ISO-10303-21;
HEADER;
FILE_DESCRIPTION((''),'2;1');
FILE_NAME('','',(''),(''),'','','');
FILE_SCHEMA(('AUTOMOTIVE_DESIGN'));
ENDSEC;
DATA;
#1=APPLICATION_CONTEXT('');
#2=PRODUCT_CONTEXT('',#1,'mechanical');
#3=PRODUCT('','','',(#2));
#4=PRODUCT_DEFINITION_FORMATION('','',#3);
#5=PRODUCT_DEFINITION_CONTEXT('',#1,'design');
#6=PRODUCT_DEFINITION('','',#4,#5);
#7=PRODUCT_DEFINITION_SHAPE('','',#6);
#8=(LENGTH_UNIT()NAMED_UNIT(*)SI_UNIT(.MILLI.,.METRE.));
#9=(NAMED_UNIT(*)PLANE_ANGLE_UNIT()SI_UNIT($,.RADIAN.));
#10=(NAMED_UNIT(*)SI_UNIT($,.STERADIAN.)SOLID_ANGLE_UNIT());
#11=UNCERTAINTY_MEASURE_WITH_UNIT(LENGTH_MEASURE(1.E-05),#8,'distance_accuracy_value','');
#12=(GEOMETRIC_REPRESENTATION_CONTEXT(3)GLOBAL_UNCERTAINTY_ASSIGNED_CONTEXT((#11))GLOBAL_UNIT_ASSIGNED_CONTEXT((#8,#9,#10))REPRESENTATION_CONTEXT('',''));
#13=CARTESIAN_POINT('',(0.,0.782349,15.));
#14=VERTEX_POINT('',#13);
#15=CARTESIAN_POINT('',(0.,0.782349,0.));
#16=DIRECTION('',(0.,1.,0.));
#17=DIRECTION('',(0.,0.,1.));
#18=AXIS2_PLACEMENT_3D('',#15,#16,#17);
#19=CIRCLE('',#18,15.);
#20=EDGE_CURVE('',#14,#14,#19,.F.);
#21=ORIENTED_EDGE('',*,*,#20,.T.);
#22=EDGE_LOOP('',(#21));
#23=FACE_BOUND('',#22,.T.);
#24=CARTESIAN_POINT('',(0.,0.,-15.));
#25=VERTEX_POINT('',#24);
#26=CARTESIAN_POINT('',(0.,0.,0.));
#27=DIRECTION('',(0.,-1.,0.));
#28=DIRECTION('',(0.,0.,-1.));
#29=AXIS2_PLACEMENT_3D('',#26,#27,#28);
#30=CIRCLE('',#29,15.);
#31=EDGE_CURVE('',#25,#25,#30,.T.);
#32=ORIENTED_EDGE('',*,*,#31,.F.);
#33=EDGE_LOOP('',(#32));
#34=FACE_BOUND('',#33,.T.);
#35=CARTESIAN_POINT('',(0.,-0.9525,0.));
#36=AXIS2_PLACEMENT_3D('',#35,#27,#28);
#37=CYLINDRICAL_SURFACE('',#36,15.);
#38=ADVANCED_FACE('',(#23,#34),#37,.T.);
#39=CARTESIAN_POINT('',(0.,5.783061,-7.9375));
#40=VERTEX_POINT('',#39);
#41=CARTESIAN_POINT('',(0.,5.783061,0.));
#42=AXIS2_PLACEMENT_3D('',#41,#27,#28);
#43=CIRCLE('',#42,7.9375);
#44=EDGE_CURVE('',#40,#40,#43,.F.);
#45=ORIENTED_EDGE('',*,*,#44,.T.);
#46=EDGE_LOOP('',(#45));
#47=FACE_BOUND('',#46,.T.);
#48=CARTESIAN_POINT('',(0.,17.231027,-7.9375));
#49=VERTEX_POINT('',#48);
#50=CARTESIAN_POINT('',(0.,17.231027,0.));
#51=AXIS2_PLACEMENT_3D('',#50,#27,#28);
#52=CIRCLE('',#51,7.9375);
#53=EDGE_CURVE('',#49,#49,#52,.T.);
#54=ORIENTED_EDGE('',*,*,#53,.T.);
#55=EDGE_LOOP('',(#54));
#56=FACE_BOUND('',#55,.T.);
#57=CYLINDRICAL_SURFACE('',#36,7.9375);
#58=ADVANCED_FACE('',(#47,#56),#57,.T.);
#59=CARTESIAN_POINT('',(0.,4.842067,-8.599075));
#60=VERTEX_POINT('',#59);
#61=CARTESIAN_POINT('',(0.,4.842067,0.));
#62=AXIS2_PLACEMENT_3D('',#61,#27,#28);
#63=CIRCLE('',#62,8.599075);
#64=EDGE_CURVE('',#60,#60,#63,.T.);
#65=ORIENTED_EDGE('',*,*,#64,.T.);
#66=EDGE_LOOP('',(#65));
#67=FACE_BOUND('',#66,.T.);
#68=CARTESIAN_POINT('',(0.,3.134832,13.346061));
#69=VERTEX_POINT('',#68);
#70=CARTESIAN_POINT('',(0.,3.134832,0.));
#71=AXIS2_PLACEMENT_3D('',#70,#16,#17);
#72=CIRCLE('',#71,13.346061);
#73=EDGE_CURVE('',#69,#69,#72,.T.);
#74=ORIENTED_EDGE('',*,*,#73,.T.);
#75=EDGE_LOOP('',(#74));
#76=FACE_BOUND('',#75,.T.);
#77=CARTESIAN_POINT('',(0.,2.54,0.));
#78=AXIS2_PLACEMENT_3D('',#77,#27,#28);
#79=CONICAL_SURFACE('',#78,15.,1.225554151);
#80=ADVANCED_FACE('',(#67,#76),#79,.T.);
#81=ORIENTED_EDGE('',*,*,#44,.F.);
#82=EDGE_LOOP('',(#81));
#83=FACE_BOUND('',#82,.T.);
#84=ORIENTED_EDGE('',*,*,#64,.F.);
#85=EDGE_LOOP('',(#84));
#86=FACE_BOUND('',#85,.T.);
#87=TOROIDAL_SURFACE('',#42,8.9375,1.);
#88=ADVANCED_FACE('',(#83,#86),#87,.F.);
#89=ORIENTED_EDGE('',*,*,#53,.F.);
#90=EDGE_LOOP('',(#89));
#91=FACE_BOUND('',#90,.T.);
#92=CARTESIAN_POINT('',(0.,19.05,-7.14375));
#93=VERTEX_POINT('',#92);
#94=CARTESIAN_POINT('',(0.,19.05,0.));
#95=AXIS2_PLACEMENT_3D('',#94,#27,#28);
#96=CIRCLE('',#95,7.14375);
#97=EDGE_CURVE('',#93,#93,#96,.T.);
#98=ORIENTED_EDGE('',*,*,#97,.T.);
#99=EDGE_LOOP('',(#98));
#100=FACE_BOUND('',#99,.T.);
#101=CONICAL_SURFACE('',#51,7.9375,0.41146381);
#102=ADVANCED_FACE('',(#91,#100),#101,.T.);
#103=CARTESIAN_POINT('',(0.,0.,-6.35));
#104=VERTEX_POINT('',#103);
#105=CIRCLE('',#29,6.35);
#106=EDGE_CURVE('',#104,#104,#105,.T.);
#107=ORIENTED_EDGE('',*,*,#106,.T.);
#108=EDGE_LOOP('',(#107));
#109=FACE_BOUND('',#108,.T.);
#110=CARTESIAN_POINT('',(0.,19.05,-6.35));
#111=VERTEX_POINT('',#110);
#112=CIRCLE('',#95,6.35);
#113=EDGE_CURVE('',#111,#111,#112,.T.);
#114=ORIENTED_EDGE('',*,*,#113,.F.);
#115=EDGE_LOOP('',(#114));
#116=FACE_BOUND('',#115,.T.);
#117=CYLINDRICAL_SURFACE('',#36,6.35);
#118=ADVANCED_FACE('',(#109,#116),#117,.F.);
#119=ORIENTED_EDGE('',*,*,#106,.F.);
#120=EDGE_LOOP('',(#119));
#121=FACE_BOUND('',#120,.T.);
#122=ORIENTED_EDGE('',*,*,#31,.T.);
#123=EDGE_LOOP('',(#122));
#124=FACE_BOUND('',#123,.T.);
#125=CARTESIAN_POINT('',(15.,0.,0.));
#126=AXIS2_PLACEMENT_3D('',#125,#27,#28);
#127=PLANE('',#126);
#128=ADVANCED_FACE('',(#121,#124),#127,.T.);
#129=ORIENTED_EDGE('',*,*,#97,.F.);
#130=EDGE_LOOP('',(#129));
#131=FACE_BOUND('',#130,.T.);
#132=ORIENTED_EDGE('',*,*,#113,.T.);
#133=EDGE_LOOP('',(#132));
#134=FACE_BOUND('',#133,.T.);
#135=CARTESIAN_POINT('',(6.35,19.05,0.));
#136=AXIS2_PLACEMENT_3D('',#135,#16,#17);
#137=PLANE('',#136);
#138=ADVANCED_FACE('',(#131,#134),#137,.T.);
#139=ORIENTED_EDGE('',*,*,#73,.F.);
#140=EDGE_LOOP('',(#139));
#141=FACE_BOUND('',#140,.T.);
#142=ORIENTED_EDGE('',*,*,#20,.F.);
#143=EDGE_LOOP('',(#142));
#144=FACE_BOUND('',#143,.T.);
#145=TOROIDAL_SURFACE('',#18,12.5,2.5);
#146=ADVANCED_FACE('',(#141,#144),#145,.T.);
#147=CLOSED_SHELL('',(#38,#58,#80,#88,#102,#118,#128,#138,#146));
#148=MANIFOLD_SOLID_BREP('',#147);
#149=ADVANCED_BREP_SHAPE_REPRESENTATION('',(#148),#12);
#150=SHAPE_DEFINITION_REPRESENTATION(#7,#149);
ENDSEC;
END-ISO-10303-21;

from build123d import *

# Parameters (mm, degrees)
FILLET1_R = 2.5
FILLET2_R = 1


with BuildPart() as part:
    # Sketch1 → Revolve1 (revolve)
    with BuildSketch(Plane.XY):
        Polygon((6.35, 19.05), (7.14375, 19.05), (7.9375, 17.231027131), (7.9375, 5.08), (15, 2.54), (15, 0), (6.35, 0), align=None)
    revolve(axis=Axis((0, -0.9525, 0), (0, 1, 0)))

    # Fillet1
    fillet1_edges = [part.edges().sort_by_distance(p)[0] for p in [
        (-15, 2.54, 0),
    ]]
    fillet(fillet1_edges, radius=FILLET1_R)

    # Fillet2
    fillet2_edges = [part.edges().sort_by_distance(p)[0] for p in [
        (-7.9375, 5.08, 0),
    ]]
    fillet(fillet2_edges, radius=FILLET2_R)


solid = part.part
